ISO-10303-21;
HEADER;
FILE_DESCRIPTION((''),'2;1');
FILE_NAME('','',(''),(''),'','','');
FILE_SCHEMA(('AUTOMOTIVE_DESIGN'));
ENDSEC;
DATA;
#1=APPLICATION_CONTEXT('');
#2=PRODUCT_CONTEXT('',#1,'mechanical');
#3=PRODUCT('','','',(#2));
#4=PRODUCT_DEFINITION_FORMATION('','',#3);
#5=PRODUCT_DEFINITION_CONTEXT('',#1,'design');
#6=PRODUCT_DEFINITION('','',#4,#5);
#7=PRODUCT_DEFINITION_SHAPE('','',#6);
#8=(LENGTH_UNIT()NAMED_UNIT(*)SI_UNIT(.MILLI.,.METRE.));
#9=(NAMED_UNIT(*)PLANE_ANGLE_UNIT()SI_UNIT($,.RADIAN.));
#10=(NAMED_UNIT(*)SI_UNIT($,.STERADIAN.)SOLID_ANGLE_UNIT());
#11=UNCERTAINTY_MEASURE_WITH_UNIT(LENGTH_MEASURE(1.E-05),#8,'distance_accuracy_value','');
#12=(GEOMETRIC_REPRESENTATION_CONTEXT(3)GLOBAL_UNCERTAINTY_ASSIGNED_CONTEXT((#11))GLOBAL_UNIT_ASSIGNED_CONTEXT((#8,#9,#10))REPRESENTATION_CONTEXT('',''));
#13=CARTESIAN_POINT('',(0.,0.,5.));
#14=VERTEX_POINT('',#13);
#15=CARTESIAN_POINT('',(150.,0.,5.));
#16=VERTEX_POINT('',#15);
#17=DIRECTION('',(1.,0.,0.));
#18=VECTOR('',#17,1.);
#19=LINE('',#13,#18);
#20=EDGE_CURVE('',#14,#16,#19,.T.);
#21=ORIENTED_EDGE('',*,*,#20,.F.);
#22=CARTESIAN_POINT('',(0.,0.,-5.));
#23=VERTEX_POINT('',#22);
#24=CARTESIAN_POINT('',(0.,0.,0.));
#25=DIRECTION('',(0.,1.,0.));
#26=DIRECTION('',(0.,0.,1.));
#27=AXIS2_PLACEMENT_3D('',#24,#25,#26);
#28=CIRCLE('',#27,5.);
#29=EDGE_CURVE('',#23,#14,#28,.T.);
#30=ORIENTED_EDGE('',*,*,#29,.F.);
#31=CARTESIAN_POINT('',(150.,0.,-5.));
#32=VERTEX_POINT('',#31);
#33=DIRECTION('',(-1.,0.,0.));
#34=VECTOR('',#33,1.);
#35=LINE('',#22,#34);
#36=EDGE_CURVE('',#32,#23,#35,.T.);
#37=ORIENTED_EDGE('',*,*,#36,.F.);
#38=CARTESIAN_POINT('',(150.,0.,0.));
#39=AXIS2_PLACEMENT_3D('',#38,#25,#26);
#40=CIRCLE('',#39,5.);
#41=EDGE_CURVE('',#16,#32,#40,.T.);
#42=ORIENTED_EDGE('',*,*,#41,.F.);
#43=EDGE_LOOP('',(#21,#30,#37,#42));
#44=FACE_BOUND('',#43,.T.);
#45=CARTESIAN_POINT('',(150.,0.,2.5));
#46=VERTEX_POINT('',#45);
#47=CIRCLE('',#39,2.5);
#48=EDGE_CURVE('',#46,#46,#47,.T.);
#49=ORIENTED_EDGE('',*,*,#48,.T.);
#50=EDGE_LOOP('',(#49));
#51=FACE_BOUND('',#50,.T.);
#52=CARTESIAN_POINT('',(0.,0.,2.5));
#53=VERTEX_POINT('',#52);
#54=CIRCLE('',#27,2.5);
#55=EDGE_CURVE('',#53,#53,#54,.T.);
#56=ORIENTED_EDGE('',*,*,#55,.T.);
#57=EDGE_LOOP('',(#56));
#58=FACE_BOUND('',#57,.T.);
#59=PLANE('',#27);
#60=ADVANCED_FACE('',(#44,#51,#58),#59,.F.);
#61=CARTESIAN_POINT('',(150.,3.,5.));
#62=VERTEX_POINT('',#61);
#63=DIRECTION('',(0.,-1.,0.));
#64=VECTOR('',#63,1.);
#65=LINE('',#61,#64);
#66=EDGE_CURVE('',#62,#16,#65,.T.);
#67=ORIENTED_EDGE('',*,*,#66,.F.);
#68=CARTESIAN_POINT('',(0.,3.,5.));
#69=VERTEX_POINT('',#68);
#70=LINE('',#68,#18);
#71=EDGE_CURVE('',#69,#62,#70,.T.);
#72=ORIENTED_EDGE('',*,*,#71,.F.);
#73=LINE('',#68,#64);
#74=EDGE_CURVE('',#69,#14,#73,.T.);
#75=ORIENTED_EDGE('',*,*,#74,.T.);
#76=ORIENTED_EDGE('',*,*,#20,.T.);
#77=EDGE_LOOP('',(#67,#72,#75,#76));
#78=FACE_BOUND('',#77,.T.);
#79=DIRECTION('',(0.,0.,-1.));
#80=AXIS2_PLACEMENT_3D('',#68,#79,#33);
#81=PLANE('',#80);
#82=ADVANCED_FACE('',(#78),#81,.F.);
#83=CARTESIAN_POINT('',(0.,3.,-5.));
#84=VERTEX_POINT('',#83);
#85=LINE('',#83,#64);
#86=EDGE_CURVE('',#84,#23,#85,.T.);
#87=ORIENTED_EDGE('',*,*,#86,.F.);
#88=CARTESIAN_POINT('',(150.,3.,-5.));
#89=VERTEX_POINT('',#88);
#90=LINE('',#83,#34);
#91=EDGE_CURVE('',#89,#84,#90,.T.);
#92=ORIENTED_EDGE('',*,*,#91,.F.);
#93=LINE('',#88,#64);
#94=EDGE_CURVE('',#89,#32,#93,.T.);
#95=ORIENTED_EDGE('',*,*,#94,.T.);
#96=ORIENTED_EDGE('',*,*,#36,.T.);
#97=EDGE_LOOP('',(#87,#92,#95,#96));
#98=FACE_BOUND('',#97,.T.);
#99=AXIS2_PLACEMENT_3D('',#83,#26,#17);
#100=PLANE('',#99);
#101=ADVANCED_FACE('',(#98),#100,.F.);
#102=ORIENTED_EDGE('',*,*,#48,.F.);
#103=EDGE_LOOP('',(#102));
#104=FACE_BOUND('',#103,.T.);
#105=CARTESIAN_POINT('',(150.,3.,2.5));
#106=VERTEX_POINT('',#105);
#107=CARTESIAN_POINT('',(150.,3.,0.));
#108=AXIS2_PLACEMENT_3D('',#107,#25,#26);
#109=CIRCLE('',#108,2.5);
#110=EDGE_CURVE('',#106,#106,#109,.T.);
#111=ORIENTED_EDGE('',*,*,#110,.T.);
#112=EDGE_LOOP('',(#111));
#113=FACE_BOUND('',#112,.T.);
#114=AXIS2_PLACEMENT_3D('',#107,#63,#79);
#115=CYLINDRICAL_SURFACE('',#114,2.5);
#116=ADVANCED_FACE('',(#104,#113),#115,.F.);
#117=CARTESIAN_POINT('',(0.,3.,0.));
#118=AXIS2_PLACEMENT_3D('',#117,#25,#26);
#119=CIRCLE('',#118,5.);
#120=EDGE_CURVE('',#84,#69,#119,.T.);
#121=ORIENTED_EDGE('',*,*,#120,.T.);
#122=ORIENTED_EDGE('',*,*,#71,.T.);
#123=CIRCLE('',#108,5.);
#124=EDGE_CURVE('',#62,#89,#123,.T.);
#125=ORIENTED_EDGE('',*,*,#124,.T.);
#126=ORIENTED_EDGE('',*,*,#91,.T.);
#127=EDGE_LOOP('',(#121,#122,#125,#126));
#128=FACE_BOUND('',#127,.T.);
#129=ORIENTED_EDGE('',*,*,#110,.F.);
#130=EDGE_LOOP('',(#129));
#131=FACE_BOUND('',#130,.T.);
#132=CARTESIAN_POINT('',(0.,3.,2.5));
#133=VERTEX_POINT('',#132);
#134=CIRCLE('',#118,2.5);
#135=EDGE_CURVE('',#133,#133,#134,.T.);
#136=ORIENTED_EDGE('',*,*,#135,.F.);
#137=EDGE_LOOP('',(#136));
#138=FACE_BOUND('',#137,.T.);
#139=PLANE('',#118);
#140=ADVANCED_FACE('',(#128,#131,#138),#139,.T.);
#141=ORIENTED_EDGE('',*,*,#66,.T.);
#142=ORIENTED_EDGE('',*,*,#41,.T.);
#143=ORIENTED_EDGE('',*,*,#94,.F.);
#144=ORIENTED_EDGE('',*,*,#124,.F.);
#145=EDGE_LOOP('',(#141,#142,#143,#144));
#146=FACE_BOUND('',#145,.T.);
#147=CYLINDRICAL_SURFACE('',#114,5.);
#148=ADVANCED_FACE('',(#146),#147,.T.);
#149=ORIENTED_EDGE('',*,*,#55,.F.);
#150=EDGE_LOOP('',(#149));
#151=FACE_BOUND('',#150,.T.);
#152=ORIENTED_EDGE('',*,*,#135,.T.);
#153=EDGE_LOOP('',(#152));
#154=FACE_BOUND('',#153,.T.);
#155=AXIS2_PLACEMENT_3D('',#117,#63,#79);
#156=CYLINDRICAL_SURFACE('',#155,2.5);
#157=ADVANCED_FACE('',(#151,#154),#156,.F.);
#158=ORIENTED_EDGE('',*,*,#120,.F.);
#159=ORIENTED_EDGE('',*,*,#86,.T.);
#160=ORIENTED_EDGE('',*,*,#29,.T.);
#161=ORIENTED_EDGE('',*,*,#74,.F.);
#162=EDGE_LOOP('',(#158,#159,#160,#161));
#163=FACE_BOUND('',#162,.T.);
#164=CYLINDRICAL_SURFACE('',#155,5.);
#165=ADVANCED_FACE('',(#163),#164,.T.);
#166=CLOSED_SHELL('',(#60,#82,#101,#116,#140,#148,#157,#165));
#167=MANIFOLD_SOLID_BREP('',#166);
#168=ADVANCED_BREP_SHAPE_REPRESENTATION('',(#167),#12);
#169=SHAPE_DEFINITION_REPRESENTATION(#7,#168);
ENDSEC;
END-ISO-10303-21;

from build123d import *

# Parameters (mm, degrees)
SKETCH1_R           = 2.5
BOSS_EXTRUDE1_DEPTH = 3


with BuildPart() as part:
    # Sketch1 → Boss-Extrude1 (new body)
    with BuildSketch(Plane(origin=(0, 0, 0), x_dir=(1, 0, 0), z_dir=(0, 1, 0))):
        with BuildLine():
            Line((0, 5), (150, 5))
            ThreePointArc((150, 5), (155, 0), (150, -5))
            Line((150, -5), (0, -5))
            ThreePointArc((0, -5), (-5, 0), (0, 5))
        make_face()
        with Locations(Location((0, 0, 0), (0, 0, 270))):
            Circle(SKETCH1_R, mode=Mode.SUBTRACT)
        with Locations(Location((150, 0, 0), (0, 0, 270))):
            Circle(SKETCH1_R, mode=Mode.SUBTRACT)
    extrude(amount=BOSS_EXTRUDE1_DEPTH)


solid = part.part
